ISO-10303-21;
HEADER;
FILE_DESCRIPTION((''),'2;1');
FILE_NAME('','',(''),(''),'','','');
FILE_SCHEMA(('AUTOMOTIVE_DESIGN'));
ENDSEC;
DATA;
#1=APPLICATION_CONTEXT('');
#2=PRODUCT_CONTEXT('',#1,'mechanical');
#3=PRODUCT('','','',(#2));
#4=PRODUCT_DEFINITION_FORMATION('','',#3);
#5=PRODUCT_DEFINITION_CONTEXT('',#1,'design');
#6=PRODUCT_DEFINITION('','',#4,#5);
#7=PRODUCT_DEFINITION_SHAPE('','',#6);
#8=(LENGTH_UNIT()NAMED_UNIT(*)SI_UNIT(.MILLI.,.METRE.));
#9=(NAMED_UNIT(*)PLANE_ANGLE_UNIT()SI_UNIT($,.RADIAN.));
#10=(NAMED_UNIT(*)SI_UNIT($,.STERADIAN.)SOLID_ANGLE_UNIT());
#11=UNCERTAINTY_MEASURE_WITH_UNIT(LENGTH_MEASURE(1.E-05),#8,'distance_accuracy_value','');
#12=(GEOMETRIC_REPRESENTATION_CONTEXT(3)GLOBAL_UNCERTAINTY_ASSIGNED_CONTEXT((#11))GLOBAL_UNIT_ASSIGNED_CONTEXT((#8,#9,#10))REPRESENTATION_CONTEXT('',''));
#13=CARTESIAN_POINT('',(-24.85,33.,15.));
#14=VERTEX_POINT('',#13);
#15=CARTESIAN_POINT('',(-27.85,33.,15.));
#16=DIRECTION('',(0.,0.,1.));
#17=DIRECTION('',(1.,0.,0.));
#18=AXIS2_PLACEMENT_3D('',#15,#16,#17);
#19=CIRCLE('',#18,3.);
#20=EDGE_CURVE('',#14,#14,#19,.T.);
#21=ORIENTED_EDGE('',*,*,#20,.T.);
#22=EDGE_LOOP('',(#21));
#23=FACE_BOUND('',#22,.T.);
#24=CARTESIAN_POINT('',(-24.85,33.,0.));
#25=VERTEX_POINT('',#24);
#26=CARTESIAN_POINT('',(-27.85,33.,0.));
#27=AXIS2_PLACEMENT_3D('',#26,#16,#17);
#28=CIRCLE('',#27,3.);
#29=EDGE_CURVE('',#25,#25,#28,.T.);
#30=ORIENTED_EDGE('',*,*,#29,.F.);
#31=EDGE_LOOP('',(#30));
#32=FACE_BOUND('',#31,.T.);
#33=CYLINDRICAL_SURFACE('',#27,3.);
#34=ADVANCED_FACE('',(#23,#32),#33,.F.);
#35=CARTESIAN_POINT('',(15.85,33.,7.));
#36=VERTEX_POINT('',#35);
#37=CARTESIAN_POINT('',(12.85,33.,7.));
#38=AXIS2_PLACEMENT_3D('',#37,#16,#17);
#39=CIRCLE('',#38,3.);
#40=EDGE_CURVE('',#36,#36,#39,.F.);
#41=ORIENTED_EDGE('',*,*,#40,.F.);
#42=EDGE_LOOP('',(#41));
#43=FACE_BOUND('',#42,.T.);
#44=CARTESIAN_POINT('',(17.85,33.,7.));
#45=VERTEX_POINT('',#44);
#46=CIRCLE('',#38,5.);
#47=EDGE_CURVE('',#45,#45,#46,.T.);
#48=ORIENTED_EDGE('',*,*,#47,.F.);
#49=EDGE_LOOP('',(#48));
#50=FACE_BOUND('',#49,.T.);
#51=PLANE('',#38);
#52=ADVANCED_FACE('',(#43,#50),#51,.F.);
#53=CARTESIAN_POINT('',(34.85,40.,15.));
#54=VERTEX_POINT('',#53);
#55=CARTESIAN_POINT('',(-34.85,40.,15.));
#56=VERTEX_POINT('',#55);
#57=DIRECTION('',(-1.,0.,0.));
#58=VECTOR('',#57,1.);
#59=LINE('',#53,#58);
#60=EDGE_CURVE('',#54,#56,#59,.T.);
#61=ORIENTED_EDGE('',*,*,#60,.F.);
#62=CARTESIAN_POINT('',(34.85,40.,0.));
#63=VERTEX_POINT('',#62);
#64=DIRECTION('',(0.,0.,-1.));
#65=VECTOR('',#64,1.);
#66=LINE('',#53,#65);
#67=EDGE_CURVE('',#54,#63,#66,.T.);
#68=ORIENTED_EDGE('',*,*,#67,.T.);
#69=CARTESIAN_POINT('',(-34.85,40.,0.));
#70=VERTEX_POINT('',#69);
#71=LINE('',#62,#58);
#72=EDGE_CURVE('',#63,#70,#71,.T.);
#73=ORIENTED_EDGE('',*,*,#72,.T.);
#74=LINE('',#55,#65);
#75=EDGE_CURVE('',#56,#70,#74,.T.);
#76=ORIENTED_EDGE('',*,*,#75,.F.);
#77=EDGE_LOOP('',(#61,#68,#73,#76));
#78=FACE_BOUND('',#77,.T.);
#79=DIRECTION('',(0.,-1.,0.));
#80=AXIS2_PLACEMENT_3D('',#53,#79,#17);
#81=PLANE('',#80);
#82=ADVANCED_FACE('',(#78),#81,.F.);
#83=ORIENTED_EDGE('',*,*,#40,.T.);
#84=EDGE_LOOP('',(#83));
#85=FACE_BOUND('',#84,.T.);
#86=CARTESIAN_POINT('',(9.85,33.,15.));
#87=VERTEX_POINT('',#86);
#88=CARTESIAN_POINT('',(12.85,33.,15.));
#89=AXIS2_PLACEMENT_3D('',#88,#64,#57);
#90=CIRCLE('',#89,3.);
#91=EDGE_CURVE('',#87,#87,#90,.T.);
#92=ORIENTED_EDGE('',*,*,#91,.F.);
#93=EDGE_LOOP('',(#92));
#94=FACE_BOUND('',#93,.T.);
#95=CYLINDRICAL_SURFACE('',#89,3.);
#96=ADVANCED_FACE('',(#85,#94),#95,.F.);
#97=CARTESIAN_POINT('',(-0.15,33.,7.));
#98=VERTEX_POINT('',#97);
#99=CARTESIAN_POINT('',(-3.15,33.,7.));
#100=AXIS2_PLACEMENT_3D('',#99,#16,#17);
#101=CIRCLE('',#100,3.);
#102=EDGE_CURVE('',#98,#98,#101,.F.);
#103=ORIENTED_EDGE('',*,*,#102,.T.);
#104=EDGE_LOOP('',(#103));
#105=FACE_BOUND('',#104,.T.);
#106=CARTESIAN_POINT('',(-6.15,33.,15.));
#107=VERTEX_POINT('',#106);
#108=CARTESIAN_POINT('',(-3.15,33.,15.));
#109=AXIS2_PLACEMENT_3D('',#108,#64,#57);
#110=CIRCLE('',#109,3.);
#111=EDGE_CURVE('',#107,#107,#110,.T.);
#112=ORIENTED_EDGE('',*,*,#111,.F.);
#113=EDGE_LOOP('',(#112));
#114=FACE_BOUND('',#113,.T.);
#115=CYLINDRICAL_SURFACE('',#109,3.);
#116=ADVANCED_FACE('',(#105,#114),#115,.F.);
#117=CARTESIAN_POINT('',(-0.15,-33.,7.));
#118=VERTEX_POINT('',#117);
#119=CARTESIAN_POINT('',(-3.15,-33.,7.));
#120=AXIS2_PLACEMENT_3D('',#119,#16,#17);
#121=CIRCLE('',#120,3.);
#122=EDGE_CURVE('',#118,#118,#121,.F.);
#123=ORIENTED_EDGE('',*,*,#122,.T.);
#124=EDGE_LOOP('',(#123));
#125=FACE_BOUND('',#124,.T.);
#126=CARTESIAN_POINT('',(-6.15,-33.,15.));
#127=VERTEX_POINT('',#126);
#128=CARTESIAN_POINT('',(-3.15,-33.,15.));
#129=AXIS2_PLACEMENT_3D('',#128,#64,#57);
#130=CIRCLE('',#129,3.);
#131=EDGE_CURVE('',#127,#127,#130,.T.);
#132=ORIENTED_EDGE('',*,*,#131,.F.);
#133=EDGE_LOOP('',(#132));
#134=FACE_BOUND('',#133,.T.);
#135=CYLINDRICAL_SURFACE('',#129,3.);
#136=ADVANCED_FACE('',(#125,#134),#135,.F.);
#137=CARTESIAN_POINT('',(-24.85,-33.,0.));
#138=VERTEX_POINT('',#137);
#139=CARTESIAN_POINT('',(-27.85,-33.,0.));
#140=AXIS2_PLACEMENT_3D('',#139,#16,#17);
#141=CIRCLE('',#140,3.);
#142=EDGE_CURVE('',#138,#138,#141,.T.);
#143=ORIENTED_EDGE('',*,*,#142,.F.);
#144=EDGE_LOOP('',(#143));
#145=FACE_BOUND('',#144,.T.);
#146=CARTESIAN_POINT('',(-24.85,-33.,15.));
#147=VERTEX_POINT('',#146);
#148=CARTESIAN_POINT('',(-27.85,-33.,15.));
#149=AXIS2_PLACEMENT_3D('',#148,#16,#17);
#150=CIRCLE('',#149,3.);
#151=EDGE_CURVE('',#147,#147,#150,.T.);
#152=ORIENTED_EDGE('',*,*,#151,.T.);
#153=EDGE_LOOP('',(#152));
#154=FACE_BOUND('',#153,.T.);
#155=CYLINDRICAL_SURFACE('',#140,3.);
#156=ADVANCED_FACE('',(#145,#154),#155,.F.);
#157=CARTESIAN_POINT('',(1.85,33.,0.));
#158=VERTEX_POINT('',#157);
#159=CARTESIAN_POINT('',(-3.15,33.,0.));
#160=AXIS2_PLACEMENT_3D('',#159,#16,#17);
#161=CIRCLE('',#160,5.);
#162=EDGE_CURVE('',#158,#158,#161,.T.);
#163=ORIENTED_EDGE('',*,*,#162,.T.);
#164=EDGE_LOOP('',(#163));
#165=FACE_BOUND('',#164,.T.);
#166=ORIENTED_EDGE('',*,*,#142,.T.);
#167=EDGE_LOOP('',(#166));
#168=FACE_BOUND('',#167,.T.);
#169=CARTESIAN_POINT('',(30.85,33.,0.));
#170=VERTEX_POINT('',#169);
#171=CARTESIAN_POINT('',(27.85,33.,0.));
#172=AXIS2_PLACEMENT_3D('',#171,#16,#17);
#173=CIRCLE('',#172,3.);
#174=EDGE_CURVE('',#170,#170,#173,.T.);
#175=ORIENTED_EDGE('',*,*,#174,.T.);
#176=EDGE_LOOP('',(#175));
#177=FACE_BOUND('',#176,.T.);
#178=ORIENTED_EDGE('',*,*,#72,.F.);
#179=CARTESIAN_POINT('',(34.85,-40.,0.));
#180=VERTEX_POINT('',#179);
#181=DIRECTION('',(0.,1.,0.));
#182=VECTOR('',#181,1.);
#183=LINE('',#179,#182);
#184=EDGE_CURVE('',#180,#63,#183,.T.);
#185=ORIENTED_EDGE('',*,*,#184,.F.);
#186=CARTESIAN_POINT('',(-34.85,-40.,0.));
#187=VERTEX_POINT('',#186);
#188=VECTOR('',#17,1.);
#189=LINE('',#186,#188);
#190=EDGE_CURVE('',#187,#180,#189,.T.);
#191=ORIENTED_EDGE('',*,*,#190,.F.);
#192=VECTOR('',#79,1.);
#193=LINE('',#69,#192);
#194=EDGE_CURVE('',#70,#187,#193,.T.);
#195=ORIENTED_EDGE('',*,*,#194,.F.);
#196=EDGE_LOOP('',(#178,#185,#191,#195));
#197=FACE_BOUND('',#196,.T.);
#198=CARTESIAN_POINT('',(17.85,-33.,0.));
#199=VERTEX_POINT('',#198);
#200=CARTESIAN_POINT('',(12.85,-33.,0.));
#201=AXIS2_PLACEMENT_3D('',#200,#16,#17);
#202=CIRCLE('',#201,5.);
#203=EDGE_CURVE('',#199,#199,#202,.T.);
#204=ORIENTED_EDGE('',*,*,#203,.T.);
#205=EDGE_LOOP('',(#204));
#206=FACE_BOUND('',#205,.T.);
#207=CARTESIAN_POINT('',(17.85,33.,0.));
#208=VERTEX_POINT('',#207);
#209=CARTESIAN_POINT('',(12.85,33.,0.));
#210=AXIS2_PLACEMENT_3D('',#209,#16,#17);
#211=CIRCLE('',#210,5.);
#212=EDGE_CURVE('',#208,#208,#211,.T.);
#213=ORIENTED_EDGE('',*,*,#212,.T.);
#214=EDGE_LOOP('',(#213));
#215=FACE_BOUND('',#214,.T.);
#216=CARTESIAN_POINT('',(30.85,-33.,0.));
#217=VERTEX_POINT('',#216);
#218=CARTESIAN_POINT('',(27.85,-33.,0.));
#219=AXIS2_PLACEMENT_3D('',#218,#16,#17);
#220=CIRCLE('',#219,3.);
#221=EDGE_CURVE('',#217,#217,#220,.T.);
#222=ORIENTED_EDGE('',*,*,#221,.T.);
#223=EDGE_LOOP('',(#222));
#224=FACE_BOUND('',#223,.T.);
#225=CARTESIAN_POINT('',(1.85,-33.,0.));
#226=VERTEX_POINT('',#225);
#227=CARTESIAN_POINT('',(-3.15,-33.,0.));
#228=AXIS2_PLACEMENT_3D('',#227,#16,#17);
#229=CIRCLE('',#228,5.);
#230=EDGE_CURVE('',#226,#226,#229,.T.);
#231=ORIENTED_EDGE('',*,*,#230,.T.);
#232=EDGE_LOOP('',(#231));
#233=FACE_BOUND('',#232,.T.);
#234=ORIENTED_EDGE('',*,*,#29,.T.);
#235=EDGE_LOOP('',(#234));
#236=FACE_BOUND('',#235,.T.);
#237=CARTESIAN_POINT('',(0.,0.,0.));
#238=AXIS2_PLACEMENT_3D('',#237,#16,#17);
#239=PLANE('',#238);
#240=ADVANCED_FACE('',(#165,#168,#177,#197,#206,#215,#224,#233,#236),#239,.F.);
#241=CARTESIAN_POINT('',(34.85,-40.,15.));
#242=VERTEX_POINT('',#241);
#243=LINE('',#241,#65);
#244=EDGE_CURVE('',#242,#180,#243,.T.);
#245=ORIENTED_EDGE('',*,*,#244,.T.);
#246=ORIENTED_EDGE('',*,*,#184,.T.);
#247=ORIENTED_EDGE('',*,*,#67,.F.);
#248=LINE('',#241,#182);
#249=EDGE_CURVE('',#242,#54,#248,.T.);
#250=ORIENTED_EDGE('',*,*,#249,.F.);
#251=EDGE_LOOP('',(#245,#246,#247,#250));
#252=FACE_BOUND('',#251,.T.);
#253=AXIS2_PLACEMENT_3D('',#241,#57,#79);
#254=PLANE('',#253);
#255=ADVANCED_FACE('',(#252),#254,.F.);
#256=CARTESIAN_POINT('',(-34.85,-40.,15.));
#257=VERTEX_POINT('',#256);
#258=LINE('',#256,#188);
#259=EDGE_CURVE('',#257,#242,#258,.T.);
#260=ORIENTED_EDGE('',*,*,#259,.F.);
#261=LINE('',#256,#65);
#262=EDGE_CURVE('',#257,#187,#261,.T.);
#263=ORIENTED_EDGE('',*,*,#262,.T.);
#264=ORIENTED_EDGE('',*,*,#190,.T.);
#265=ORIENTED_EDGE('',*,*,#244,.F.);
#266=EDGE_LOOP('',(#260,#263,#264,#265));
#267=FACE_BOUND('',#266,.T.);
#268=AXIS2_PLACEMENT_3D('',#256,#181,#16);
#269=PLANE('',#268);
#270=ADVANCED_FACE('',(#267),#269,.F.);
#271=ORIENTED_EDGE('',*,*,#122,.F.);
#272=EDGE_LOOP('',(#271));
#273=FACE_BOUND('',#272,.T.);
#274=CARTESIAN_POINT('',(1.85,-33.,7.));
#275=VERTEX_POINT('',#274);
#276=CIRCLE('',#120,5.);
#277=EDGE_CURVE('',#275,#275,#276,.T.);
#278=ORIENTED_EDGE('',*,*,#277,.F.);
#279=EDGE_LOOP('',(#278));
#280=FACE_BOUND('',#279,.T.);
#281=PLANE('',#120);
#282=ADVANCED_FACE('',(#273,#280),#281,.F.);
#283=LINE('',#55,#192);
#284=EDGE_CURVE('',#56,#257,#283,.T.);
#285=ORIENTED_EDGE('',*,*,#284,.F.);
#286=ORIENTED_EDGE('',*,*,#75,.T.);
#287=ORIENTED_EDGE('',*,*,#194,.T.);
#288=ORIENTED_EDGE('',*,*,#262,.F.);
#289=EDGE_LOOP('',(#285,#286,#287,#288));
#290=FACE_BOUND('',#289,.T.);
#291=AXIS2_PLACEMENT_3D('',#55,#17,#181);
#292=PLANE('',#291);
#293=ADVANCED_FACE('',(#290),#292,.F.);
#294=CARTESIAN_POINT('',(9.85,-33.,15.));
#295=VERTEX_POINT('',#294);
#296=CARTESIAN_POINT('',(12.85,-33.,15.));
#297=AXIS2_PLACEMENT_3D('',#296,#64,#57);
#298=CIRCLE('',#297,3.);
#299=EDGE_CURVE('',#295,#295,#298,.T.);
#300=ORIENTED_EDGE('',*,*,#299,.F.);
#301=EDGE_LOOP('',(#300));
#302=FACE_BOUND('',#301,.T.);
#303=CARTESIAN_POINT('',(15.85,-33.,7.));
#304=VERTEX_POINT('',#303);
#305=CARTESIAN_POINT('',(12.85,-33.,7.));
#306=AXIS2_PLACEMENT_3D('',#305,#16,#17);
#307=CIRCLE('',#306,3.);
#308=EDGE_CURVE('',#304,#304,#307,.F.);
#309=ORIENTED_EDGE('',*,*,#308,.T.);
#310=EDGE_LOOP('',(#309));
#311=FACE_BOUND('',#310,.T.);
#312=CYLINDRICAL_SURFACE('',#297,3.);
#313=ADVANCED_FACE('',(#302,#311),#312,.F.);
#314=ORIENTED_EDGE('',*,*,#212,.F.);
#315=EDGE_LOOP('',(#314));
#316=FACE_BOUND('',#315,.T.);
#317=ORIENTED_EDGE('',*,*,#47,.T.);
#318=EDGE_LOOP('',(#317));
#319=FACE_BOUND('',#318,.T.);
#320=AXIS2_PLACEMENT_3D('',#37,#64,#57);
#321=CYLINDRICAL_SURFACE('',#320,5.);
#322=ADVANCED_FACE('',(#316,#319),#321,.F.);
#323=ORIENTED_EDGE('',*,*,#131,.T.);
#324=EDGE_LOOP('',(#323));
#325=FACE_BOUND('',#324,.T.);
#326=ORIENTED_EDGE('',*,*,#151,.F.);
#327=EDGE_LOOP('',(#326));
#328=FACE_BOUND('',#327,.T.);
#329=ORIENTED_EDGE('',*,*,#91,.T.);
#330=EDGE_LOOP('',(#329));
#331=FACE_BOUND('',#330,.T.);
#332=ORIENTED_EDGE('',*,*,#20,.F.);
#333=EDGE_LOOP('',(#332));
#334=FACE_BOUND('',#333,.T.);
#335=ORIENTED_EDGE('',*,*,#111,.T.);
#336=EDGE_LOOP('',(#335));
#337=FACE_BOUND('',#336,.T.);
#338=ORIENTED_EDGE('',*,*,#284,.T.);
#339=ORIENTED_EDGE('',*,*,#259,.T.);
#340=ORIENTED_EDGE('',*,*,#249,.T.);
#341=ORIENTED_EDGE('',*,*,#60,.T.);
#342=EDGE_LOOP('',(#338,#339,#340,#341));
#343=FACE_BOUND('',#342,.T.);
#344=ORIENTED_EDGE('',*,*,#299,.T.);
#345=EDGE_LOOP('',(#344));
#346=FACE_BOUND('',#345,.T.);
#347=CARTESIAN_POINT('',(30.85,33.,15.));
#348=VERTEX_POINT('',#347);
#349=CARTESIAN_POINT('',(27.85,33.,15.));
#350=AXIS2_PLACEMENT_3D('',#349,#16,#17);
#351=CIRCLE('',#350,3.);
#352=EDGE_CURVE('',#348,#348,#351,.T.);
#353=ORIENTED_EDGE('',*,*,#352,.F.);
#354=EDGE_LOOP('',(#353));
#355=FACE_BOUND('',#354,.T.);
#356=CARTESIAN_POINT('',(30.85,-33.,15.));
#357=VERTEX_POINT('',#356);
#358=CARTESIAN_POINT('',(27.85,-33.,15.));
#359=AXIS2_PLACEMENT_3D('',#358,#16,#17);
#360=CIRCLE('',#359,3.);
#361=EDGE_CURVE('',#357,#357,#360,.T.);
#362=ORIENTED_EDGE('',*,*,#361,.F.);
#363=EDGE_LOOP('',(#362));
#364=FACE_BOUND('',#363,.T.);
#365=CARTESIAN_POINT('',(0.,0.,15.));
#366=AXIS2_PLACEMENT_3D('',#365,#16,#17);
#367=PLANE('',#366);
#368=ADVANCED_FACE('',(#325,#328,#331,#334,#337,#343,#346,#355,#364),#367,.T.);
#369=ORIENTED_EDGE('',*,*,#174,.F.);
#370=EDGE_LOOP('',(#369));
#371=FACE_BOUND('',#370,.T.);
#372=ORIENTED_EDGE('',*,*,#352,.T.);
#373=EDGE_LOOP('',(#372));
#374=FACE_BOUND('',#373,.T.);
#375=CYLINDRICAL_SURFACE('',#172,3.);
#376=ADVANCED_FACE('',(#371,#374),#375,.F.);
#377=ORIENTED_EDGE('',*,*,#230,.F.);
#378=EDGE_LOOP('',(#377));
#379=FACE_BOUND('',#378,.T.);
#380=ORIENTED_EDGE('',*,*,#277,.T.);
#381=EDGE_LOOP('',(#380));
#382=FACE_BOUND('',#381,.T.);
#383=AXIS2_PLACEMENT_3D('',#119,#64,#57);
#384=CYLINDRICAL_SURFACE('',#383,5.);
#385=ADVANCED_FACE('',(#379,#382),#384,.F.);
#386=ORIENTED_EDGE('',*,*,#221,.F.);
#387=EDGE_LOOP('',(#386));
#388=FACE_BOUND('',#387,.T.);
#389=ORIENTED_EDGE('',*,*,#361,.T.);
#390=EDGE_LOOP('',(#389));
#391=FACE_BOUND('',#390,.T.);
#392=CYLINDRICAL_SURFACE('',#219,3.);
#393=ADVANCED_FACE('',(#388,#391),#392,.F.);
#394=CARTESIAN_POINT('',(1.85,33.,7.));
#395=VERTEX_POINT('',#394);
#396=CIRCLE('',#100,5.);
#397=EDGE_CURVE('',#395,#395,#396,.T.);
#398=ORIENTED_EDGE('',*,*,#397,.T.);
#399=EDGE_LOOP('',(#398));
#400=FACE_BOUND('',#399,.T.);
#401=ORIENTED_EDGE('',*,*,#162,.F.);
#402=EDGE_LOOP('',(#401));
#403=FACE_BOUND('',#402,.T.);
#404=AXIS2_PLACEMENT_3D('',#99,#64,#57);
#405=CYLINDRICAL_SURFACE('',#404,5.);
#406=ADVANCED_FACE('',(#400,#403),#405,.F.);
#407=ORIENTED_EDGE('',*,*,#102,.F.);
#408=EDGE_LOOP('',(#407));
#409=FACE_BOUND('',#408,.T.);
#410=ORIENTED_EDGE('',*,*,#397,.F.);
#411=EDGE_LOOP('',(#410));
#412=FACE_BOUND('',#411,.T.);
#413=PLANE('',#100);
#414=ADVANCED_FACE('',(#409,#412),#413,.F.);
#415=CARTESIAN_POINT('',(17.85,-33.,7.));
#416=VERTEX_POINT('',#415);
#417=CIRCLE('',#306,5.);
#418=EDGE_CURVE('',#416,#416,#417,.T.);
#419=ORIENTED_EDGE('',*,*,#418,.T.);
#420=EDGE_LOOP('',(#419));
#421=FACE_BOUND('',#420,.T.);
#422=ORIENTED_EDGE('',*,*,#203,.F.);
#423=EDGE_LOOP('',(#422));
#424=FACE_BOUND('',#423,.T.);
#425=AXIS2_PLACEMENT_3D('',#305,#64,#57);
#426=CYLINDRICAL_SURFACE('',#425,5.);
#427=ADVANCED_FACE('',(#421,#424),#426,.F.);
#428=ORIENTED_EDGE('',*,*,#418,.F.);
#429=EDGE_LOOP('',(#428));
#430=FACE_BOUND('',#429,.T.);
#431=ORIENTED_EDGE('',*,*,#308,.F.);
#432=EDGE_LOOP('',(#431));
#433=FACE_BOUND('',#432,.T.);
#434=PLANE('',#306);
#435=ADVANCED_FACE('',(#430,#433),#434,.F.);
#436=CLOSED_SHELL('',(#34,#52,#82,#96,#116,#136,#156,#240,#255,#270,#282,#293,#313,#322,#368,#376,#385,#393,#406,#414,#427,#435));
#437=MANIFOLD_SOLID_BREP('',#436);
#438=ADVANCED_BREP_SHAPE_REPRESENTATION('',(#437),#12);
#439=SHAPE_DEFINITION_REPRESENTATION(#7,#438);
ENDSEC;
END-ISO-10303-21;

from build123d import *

# Parameters (mm, degrees)
SZKIC1_W                    = 69.7
SZKIC1_H                    = 80
DODANIE_WYCI_GNI_CIE1_DEPTH = 15
SZKIC3_R                    = 3
WYTNIJ_WYCI_GNI_CIE1_DEPTH  = 15
SZKIC4_R                    = 5
WYTNIJ_WYCI_GNI_CIE2_DEPTH  = 7
SZKIC5_R                    = 3
WYTNIJ_WYCI_GNI_CIE3_DEPTH  = 15


with BuildPart() as part:
    # Szkic1 → Dodanie-wyciągnięcie1 (new body)
    with BuildSketch(Plane.XY):
        Rectangle(SZKIC1_W, SZKIC1_H)
    extrude(amount=DODANIE_WYCI_GNI_CIE1_DEPTH)

    # Szkic3 → Wytnij-wyciągnięcie1 (cut)
    with BuildSketch(Plane(origin=(0, 0, 0), x_dir=(1, 0, 0), z_dir=(0, 0, -1))):
        with Locations((12.85, 33)):
            Circle(SZKIC3_R)
        with Locations((-3.15, 33)):
            Circle(SZKIC3_R)
        with Locations((-3.15, -33)):
            Circle(SZKIC3_R)
        with Locations((12.85, -33)):
            Circle(SZKIC3_R)
    extrude(amount=-WYTNIJ_WYCI_GNI_CIE1_DEPTH, mode=Mode.SUBTRACT)

    # Szkic4 → Wytnij-wyciągnięcie2 (cut)
    with BuildSketch(Plane(origin=(0, 0, 0), x_dir=(-1, 0, 0), z_dir=(0, 0, 1))):
        with Locations((3.15, 33)):
            Circle(SZKIC4_R)
        with Locations((-12.85, 33)):
            Circle(SZKIC4_R)
        with Locations((-12.85, -33)):
            Circle(SZKIC4_R)
        with Locations((3.15, -33)):
            Circle(SZKIC4_R)
    extrude(amount=WYTNIJ_WYCI_GNI_CIE2_DEPTH, mode=Mode.SUBTRACT)

    # Szkic5 → Wytnij-wyciągnięcie3 (cut)
    with BuildSketch(Plane.XY.offset(15)):
        with Locations((-27.85, 33)):
            Circle(SZKIC5_R)
        with Locations((27.85, 33)):
            Circle(SZKIC5_R)
        with Locations((27.85, -33)):
            Circle(SZKIC5_R)
        with Locations((-27.85, -33)):
            Circle(SZKIC5_R)
    extrude(amount=-WYTNIJ_WYCI_GNI_CIE3_DEPTH, mode=Mode.SUBTRACT)


solid = part.part
